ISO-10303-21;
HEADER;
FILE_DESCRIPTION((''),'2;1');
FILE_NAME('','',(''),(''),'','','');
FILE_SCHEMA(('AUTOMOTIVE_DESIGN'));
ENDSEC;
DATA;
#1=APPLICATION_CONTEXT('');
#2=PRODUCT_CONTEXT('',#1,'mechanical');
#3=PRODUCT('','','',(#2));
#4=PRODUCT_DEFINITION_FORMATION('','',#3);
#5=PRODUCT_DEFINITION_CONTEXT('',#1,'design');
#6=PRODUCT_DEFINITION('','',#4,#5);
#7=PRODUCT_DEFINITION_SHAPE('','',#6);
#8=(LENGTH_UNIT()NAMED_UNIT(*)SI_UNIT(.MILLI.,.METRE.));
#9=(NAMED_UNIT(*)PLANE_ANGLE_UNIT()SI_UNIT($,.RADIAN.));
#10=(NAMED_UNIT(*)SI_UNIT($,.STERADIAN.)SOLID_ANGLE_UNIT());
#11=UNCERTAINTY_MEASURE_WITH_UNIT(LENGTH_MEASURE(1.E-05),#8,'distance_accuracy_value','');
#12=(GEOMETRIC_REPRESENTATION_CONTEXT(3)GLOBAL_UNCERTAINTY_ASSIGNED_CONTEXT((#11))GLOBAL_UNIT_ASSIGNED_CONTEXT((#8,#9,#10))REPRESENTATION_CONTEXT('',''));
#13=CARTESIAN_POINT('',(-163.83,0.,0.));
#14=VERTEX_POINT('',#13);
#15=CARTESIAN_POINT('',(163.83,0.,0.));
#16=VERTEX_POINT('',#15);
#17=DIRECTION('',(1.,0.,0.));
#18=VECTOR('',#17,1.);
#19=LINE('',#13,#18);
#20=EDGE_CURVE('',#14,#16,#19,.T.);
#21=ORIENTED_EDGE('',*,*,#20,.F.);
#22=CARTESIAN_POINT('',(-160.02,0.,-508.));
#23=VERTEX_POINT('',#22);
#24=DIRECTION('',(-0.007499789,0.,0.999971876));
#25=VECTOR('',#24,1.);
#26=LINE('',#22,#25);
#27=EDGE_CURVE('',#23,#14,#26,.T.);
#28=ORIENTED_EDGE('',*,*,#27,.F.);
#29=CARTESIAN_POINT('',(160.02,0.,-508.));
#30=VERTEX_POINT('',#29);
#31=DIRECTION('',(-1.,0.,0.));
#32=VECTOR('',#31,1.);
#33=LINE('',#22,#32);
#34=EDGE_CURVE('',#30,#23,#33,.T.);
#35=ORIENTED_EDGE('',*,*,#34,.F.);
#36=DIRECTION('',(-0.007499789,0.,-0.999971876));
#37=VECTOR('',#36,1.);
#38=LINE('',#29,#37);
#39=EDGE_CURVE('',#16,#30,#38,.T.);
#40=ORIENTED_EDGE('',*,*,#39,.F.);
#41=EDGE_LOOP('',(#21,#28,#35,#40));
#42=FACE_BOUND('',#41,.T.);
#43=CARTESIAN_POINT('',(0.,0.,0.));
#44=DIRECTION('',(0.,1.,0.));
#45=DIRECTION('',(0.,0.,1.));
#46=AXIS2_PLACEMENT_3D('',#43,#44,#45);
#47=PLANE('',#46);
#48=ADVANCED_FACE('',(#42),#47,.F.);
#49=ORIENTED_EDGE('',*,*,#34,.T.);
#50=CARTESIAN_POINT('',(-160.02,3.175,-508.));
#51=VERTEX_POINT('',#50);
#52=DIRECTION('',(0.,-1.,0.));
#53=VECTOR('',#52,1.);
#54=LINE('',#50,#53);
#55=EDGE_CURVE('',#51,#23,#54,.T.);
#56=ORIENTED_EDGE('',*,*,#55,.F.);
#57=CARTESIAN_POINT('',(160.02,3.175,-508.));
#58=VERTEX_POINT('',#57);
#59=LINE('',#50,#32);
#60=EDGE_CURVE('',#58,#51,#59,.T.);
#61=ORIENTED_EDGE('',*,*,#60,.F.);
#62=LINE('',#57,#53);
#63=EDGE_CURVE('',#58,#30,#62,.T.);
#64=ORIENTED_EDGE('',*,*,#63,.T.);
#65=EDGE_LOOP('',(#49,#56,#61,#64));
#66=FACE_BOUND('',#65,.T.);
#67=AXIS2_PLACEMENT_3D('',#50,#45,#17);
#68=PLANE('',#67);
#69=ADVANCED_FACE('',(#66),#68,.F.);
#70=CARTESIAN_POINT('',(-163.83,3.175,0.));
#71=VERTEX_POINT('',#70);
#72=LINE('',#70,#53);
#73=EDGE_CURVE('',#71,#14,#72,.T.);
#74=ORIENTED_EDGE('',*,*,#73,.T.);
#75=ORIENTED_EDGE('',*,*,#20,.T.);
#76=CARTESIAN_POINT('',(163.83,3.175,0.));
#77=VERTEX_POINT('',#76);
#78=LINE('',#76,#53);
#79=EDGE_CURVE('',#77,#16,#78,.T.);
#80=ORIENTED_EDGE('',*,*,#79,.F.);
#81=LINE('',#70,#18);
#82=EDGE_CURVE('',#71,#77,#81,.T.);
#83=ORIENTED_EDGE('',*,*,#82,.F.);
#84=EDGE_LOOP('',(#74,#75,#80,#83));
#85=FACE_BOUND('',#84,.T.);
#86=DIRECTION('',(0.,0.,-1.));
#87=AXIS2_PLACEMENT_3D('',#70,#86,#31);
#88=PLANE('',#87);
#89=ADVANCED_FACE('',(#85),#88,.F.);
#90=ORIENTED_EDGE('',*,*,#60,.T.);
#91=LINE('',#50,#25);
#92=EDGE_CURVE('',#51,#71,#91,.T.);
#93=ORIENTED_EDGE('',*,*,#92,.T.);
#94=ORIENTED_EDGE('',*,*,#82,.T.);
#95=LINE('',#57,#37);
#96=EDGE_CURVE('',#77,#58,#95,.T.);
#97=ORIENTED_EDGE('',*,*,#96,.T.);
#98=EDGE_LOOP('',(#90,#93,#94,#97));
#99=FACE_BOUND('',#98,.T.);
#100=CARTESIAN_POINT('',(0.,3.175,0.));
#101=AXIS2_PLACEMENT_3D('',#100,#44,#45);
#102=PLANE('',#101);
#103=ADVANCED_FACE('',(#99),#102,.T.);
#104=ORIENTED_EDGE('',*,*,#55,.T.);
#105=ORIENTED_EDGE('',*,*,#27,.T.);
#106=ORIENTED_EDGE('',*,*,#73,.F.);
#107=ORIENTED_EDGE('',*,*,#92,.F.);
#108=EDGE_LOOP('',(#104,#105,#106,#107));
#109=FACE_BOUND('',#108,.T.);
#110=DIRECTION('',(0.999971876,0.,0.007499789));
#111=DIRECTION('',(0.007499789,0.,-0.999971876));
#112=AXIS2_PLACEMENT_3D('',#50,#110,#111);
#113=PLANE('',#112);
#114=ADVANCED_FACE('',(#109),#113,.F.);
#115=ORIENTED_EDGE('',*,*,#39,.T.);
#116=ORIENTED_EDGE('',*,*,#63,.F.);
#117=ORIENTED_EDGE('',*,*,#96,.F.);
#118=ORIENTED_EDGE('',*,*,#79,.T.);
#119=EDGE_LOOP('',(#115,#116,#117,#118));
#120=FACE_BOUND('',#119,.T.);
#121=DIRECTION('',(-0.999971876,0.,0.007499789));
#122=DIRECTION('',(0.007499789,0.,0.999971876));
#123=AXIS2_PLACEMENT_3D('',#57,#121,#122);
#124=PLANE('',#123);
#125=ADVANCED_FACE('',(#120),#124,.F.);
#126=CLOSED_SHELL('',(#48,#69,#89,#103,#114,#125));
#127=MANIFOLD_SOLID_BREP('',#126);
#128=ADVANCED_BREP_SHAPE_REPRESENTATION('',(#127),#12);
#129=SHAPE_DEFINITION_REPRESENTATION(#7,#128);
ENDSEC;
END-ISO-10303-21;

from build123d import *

# Parameters (mm, degrees)
BOSS_EXTRUDE1_DEPTH = 3.175


with BuildPart() as part:
    # Sketch1 → Boss-Extrude1 (new body)
    with BuildSketch(Plane(origin=(0, 0, 0), x_dir=(1, 0, 0), z_dir=(0, 1, 0))):
        Polygon((-163.83, 0), (163.83, 0), (160.02, 508), (-160.02, 508), align=None)
    extrude(amount=BOSS_EXTRUDE1_DEPTH)


solid = part.part
